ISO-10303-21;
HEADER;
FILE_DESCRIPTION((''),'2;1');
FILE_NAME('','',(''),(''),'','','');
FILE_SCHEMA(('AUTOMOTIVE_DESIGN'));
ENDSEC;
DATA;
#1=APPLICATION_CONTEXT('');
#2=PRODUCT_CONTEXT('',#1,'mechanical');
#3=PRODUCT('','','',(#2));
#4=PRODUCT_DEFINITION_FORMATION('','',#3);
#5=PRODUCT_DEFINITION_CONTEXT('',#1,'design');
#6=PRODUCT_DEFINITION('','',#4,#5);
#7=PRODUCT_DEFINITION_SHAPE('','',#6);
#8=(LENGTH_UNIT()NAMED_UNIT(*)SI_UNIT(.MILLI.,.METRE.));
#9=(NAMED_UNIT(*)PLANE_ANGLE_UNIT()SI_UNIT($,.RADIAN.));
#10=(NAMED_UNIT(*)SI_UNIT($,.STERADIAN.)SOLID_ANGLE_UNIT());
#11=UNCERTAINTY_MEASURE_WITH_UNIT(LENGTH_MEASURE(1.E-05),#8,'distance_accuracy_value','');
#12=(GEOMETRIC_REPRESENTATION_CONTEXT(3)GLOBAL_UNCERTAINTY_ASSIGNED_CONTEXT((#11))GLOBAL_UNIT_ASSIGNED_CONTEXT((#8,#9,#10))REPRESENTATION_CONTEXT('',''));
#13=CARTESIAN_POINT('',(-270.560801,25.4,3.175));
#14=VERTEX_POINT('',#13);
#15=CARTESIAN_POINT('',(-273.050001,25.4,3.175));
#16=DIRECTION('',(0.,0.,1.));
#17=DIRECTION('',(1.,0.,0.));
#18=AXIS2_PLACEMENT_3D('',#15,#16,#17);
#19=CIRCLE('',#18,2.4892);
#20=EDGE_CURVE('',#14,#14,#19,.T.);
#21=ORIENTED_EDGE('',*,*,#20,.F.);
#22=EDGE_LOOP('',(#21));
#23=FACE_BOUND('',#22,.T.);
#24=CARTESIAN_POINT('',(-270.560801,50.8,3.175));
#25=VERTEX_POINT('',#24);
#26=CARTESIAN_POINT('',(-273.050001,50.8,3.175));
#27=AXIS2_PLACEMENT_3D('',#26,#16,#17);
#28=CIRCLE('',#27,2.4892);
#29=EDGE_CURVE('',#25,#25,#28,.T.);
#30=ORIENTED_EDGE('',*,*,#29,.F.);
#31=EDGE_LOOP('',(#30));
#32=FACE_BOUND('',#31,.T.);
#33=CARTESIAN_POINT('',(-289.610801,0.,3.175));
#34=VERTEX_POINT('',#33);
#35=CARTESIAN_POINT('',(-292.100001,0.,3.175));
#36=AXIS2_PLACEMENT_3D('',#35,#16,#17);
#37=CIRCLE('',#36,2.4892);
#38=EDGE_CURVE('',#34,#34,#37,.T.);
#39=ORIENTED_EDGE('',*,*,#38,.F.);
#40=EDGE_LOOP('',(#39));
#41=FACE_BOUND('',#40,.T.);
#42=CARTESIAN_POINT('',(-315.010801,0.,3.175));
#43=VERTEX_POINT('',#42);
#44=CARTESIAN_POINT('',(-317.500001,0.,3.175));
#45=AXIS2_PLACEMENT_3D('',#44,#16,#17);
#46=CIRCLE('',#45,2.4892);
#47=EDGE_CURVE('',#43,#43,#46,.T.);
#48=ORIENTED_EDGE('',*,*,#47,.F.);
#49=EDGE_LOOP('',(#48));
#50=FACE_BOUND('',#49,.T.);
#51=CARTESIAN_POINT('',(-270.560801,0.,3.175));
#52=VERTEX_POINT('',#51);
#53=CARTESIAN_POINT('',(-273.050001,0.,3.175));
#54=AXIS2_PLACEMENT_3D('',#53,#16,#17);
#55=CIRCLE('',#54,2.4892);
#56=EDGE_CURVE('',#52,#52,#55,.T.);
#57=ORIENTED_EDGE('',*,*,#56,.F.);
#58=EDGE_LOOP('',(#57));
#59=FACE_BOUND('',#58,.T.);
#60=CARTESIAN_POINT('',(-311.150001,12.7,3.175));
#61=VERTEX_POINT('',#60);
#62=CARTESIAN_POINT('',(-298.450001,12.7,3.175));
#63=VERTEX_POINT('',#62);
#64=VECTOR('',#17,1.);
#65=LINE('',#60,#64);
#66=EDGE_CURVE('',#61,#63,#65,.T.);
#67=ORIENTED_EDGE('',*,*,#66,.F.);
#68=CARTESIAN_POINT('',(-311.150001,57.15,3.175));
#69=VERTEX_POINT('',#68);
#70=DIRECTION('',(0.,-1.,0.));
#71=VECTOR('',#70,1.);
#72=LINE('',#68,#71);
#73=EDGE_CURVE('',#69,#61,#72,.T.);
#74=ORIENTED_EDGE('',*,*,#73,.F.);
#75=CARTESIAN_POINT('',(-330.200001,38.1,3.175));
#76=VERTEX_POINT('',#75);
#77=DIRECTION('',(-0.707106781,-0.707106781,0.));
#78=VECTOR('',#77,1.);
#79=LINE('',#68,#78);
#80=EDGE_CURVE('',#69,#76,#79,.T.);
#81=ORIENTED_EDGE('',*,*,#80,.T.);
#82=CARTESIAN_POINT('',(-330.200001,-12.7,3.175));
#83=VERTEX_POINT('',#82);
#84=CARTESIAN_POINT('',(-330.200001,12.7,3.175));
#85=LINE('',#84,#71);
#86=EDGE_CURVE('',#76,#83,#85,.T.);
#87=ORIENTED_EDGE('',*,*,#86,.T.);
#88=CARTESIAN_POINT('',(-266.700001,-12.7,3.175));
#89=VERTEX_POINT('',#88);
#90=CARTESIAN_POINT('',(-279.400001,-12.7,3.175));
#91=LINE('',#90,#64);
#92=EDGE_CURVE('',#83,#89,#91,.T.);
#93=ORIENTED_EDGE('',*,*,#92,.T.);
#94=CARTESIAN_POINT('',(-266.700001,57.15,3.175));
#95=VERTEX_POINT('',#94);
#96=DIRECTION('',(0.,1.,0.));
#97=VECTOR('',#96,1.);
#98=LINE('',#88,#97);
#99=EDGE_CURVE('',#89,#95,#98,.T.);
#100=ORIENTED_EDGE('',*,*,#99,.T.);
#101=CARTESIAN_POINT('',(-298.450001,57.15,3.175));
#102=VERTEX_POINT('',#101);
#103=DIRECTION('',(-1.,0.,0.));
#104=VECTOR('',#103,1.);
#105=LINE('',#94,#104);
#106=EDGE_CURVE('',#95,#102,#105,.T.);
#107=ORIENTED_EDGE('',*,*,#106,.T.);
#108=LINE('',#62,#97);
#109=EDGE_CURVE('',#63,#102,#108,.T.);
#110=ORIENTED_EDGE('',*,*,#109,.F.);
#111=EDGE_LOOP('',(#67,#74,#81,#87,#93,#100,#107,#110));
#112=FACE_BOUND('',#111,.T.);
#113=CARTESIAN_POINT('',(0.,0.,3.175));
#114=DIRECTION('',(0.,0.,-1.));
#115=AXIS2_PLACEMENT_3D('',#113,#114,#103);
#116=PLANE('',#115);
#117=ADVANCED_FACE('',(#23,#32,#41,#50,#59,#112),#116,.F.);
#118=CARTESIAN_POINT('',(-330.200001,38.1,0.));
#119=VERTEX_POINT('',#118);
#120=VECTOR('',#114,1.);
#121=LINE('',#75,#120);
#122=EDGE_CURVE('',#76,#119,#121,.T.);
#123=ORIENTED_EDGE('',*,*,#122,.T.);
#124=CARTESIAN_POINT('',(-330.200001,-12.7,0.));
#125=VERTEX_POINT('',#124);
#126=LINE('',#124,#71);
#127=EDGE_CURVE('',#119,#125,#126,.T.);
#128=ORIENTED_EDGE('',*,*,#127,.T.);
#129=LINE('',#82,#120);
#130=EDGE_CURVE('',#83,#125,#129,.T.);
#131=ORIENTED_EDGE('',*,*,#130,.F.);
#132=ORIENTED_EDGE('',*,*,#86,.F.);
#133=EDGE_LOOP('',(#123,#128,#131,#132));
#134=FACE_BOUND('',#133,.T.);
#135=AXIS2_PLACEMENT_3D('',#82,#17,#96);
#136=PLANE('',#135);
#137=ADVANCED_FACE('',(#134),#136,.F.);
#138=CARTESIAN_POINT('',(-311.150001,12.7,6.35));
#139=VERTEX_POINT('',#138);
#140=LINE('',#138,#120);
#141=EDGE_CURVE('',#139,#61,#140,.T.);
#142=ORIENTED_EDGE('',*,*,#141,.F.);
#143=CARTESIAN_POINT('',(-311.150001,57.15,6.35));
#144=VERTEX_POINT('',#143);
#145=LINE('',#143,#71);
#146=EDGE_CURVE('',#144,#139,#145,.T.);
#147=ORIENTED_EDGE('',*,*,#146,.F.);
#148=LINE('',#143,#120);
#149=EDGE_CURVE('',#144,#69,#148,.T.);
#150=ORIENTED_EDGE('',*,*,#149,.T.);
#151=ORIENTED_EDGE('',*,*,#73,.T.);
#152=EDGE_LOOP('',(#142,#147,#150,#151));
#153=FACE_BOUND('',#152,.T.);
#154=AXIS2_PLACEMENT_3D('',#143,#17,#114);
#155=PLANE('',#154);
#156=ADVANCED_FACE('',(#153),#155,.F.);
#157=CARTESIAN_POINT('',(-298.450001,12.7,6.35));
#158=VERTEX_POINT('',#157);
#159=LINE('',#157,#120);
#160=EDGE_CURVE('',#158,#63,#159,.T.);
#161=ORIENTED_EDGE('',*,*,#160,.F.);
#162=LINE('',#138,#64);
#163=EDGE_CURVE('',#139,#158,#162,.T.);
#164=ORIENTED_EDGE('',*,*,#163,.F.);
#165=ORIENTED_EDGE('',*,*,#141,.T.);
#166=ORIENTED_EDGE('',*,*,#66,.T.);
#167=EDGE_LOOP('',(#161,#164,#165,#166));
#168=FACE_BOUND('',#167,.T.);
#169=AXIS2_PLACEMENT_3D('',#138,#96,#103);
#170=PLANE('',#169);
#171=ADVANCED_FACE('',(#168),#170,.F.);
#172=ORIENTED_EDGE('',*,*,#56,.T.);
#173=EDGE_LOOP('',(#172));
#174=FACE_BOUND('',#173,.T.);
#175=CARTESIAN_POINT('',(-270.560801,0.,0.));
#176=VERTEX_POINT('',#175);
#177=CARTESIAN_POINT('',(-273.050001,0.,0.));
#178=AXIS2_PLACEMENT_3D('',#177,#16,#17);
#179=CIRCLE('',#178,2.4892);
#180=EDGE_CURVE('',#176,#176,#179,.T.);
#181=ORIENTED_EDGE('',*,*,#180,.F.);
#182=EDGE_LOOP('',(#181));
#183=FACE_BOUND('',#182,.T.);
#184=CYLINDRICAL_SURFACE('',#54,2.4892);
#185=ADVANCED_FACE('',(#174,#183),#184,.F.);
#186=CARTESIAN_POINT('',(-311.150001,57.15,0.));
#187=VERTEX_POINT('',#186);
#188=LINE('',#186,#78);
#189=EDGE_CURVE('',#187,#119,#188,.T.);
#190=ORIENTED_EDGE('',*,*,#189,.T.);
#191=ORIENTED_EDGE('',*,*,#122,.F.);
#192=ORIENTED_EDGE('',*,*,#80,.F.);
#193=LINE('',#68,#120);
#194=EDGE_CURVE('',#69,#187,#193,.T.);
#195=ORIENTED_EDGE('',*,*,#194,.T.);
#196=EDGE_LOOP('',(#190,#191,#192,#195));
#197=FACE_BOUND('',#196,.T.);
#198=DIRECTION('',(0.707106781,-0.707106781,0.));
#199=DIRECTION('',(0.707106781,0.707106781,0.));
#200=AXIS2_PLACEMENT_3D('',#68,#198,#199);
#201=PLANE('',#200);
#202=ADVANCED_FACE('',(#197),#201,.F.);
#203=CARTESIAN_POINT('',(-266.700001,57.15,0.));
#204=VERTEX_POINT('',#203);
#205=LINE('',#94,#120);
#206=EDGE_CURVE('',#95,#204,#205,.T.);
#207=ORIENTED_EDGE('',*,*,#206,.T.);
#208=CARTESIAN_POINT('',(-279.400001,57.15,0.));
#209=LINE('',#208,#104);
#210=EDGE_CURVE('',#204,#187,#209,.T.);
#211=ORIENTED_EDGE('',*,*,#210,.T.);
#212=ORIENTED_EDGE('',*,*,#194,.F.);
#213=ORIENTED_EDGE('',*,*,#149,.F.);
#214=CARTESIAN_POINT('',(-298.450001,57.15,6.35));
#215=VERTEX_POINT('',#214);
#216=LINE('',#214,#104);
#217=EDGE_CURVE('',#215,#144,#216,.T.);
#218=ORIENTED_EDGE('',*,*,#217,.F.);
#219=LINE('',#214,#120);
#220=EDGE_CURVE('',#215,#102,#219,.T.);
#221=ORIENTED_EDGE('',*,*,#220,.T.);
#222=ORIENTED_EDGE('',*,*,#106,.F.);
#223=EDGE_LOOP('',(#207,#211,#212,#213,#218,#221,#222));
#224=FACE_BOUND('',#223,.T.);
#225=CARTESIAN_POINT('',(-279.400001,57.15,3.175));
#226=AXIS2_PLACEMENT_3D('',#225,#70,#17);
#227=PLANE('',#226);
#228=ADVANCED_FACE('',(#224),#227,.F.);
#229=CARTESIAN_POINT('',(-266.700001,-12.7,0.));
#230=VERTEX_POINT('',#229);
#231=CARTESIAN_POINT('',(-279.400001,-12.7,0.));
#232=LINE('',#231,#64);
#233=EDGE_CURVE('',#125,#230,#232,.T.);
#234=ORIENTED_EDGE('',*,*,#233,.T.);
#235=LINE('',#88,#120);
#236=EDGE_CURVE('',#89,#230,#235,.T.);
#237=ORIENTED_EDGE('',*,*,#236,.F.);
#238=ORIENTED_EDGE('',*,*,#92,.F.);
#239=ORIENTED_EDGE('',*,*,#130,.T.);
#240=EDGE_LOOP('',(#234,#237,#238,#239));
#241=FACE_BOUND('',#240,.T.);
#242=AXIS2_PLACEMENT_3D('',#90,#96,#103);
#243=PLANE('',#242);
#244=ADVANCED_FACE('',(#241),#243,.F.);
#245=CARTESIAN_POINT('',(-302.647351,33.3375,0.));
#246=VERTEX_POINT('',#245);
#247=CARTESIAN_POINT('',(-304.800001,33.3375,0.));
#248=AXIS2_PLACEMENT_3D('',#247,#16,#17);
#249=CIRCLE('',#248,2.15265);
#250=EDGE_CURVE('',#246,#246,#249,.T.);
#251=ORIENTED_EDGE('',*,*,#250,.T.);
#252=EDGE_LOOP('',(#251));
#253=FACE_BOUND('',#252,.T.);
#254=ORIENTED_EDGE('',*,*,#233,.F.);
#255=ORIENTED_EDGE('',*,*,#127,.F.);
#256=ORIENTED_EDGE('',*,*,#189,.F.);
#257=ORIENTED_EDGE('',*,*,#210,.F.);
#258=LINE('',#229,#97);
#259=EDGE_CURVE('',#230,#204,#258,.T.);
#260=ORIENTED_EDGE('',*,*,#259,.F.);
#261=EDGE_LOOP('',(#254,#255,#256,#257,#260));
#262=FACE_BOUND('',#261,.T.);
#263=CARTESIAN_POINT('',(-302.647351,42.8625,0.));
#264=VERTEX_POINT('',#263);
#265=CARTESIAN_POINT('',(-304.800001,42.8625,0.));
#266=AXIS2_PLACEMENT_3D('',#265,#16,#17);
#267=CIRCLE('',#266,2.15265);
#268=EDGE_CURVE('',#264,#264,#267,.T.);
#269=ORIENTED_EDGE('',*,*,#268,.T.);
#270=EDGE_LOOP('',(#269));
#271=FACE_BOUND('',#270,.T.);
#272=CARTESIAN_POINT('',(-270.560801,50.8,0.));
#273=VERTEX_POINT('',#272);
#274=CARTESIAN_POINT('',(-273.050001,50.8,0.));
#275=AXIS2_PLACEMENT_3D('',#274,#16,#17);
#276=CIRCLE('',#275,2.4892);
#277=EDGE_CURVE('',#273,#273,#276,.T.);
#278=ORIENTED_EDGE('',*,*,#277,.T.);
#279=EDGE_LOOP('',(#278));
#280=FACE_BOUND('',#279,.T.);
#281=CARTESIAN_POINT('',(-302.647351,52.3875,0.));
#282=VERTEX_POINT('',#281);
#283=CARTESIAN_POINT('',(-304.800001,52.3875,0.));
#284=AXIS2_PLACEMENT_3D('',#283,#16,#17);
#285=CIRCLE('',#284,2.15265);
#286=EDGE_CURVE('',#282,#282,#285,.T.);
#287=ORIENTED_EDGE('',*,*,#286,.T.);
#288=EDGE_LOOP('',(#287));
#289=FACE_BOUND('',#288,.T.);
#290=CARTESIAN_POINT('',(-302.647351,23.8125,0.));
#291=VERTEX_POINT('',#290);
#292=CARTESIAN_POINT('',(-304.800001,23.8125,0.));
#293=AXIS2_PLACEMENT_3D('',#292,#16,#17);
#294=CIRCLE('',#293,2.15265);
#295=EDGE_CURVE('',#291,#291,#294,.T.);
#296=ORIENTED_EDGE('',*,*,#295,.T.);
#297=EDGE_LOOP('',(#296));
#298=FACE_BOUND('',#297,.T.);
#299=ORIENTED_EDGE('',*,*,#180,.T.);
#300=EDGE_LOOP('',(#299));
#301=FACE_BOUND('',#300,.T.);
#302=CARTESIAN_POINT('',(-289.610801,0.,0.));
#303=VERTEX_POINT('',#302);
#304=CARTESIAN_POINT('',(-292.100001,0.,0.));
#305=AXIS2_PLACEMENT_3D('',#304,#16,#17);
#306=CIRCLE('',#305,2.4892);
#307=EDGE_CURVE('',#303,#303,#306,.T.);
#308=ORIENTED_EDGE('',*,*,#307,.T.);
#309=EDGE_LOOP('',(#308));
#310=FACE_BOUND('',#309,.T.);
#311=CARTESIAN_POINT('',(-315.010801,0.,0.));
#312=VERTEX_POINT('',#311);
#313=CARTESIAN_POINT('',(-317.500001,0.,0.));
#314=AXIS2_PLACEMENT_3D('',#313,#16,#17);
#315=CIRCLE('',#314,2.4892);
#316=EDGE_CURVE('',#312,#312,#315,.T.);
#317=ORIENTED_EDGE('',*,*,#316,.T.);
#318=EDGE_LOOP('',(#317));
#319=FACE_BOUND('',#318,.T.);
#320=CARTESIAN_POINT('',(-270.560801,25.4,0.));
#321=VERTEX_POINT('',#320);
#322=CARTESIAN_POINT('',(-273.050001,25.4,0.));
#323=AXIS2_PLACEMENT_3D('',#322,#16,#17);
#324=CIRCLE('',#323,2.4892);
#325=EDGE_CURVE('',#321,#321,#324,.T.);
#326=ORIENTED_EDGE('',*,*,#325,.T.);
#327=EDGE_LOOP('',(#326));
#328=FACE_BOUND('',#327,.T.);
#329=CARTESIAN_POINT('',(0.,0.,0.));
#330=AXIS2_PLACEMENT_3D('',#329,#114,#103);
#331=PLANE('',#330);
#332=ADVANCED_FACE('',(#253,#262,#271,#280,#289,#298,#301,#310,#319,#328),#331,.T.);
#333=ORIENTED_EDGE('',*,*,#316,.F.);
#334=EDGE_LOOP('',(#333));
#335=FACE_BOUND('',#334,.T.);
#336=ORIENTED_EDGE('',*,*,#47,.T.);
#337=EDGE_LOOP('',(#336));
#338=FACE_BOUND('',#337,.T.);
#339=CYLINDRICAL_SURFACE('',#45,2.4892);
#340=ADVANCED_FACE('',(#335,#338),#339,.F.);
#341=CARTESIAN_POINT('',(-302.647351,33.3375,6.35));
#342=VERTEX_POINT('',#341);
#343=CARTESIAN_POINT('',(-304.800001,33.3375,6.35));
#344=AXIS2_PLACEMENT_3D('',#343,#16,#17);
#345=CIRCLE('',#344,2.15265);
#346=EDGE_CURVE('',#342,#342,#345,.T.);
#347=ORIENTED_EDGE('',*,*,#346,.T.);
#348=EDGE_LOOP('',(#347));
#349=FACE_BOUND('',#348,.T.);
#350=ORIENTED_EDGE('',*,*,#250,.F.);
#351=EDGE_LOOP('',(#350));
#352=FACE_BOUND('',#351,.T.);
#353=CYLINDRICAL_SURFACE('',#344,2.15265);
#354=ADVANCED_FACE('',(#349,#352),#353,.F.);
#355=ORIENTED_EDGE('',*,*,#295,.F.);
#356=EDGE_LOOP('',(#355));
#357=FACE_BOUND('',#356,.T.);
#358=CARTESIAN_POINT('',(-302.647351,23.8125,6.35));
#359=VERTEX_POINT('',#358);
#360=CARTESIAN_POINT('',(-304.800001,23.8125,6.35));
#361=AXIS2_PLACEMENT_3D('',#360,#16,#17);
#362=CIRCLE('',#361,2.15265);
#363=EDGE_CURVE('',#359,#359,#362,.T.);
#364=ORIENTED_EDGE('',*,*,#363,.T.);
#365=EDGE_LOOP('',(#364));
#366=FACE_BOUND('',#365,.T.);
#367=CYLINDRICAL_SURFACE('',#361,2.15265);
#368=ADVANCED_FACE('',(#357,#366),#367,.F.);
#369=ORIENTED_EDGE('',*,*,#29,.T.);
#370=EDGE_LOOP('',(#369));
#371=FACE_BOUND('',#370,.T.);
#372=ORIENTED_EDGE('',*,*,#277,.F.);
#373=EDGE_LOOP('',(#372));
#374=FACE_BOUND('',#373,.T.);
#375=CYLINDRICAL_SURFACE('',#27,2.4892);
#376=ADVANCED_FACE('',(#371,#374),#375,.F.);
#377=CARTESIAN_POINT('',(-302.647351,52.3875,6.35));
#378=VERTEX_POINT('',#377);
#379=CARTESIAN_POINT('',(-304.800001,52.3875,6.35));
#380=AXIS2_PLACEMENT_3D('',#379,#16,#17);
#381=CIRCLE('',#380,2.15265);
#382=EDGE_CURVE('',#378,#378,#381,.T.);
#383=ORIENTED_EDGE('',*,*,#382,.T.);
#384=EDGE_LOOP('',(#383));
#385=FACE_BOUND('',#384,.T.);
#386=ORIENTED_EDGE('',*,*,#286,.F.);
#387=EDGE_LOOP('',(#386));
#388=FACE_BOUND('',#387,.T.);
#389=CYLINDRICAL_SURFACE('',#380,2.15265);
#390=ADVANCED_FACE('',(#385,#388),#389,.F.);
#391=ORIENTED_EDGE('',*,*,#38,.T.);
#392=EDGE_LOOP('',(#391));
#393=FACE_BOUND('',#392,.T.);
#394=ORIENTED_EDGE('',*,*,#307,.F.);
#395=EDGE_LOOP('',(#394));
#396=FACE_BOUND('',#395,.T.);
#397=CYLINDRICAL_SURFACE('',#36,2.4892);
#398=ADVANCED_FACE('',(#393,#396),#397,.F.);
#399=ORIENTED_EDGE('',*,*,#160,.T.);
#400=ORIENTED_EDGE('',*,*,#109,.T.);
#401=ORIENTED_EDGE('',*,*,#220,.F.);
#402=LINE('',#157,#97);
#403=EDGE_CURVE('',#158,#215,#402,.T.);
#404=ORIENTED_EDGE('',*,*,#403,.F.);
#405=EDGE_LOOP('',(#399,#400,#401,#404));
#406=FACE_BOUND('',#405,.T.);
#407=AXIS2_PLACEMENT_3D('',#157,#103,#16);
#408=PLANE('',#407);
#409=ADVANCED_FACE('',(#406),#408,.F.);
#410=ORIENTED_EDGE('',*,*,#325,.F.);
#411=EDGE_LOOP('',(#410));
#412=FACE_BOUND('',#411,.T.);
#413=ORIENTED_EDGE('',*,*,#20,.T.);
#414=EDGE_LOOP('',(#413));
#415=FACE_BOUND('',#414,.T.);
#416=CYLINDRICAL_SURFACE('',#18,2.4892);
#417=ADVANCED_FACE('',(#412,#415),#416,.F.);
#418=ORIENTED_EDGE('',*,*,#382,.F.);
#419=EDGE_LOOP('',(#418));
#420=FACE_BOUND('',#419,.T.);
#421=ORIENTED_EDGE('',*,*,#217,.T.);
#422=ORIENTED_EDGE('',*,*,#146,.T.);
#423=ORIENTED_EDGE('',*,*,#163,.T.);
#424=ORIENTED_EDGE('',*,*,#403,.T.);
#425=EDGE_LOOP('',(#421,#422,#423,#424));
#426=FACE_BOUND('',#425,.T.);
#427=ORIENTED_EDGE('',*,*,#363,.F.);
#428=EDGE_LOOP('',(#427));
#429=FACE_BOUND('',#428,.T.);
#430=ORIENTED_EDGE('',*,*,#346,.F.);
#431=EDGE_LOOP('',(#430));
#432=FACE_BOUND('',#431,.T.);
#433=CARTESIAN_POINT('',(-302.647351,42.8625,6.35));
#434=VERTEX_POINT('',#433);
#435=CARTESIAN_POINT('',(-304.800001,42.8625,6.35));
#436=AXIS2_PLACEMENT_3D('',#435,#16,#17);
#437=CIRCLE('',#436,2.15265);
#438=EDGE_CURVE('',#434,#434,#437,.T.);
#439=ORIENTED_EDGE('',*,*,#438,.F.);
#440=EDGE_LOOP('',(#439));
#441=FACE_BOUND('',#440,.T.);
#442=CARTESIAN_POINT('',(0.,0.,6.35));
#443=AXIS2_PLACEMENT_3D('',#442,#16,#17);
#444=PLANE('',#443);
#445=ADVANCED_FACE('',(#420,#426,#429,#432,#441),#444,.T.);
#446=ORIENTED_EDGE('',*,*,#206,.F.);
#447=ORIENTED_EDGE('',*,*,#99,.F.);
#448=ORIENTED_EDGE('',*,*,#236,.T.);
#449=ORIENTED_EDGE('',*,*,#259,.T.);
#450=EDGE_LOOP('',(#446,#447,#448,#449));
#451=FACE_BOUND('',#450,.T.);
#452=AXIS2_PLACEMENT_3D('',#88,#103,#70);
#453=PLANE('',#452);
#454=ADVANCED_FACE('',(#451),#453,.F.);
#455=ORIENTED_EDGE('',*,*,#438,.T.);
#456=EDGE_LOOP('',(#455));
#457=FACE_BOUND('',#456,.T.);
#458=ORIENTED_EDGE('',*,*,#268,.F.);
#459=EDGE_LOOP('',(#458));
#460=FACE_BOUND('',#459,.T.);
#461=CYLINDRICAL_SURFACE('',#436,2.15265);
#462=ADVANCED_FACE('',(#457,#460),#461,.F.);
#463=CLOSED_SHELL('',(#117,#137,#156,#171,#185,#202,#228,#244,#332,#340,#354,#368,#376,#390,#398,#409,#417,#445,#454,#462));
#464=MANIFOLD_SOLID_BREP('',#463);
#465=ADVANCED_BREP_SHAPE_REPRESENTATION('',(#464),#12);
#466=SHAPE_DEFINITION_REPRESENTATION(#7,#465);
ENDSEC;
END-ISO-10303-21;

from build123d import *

# Parameters (mm, degrees)
BOSS_EXTRUDE1_DEPTH    = 3.175
F_10_CLEARANCE_HOLE1_D = 4.9784
SKETCH5_W              = 12.7
SKETCH5_H              = 44.45
BOSS_EXTRUDE2_DEPTH    = 3.175
F_8_CLEARANCE_HOLE1_D  = 4.3053


with BuildPart() as part:
    # Sketch1 → Boss-Extrude1 (new body)
    with BuildSketch(Plane.XY):
        Polygon((-266.700000508, -12.7), (-266.700000508, 57.15), (-279.400000508, 57.15), (-311.150000508, 57.15), (-330.200000508, 38.1), (-330.200000508, 12.7), (-330.200000508, -12.7), (-279.400000508, -12.7), align=None)
    extrude(amount=BOSS_EXTRUDE1_DEPTH)

    # #10 Clearance Hole1 (through all)
    with Locations(Plane.XY.offset(3.175)):
        with Locations((-273.050000508, 50.8), (-273.050000508, 25.4), (-273.050000508, 0), (-317.500000508, 0), (-292.100000508, 0)):
            Hole(F_10_CLEARANCE_HOLE1_D / 2)

    # Sketch5 → Boss-Extrude2 (add)
    with BuildSketch(Plane.XY.offset(3.175)):
        with Locations((-304.800000508, 34.925)):
            Rectangle(SKETCH5_W, SKETCH5_H)
    extrude(amount=BOSS_EXTRUDE2_DEPTH)

    # #8 Clearance Hole1 (through all)
    with Locations(Plane.XY.offset(6.35)):
        with Locations((-304.800000508, 42.8625), (-304.800000508, 52.3875), (-304.800000508, 33.3375), (-304.800000508, 23.8125)):
            Hole(F_8_CLEARANCE_HOLE1_D / 2)


solid = part.part
